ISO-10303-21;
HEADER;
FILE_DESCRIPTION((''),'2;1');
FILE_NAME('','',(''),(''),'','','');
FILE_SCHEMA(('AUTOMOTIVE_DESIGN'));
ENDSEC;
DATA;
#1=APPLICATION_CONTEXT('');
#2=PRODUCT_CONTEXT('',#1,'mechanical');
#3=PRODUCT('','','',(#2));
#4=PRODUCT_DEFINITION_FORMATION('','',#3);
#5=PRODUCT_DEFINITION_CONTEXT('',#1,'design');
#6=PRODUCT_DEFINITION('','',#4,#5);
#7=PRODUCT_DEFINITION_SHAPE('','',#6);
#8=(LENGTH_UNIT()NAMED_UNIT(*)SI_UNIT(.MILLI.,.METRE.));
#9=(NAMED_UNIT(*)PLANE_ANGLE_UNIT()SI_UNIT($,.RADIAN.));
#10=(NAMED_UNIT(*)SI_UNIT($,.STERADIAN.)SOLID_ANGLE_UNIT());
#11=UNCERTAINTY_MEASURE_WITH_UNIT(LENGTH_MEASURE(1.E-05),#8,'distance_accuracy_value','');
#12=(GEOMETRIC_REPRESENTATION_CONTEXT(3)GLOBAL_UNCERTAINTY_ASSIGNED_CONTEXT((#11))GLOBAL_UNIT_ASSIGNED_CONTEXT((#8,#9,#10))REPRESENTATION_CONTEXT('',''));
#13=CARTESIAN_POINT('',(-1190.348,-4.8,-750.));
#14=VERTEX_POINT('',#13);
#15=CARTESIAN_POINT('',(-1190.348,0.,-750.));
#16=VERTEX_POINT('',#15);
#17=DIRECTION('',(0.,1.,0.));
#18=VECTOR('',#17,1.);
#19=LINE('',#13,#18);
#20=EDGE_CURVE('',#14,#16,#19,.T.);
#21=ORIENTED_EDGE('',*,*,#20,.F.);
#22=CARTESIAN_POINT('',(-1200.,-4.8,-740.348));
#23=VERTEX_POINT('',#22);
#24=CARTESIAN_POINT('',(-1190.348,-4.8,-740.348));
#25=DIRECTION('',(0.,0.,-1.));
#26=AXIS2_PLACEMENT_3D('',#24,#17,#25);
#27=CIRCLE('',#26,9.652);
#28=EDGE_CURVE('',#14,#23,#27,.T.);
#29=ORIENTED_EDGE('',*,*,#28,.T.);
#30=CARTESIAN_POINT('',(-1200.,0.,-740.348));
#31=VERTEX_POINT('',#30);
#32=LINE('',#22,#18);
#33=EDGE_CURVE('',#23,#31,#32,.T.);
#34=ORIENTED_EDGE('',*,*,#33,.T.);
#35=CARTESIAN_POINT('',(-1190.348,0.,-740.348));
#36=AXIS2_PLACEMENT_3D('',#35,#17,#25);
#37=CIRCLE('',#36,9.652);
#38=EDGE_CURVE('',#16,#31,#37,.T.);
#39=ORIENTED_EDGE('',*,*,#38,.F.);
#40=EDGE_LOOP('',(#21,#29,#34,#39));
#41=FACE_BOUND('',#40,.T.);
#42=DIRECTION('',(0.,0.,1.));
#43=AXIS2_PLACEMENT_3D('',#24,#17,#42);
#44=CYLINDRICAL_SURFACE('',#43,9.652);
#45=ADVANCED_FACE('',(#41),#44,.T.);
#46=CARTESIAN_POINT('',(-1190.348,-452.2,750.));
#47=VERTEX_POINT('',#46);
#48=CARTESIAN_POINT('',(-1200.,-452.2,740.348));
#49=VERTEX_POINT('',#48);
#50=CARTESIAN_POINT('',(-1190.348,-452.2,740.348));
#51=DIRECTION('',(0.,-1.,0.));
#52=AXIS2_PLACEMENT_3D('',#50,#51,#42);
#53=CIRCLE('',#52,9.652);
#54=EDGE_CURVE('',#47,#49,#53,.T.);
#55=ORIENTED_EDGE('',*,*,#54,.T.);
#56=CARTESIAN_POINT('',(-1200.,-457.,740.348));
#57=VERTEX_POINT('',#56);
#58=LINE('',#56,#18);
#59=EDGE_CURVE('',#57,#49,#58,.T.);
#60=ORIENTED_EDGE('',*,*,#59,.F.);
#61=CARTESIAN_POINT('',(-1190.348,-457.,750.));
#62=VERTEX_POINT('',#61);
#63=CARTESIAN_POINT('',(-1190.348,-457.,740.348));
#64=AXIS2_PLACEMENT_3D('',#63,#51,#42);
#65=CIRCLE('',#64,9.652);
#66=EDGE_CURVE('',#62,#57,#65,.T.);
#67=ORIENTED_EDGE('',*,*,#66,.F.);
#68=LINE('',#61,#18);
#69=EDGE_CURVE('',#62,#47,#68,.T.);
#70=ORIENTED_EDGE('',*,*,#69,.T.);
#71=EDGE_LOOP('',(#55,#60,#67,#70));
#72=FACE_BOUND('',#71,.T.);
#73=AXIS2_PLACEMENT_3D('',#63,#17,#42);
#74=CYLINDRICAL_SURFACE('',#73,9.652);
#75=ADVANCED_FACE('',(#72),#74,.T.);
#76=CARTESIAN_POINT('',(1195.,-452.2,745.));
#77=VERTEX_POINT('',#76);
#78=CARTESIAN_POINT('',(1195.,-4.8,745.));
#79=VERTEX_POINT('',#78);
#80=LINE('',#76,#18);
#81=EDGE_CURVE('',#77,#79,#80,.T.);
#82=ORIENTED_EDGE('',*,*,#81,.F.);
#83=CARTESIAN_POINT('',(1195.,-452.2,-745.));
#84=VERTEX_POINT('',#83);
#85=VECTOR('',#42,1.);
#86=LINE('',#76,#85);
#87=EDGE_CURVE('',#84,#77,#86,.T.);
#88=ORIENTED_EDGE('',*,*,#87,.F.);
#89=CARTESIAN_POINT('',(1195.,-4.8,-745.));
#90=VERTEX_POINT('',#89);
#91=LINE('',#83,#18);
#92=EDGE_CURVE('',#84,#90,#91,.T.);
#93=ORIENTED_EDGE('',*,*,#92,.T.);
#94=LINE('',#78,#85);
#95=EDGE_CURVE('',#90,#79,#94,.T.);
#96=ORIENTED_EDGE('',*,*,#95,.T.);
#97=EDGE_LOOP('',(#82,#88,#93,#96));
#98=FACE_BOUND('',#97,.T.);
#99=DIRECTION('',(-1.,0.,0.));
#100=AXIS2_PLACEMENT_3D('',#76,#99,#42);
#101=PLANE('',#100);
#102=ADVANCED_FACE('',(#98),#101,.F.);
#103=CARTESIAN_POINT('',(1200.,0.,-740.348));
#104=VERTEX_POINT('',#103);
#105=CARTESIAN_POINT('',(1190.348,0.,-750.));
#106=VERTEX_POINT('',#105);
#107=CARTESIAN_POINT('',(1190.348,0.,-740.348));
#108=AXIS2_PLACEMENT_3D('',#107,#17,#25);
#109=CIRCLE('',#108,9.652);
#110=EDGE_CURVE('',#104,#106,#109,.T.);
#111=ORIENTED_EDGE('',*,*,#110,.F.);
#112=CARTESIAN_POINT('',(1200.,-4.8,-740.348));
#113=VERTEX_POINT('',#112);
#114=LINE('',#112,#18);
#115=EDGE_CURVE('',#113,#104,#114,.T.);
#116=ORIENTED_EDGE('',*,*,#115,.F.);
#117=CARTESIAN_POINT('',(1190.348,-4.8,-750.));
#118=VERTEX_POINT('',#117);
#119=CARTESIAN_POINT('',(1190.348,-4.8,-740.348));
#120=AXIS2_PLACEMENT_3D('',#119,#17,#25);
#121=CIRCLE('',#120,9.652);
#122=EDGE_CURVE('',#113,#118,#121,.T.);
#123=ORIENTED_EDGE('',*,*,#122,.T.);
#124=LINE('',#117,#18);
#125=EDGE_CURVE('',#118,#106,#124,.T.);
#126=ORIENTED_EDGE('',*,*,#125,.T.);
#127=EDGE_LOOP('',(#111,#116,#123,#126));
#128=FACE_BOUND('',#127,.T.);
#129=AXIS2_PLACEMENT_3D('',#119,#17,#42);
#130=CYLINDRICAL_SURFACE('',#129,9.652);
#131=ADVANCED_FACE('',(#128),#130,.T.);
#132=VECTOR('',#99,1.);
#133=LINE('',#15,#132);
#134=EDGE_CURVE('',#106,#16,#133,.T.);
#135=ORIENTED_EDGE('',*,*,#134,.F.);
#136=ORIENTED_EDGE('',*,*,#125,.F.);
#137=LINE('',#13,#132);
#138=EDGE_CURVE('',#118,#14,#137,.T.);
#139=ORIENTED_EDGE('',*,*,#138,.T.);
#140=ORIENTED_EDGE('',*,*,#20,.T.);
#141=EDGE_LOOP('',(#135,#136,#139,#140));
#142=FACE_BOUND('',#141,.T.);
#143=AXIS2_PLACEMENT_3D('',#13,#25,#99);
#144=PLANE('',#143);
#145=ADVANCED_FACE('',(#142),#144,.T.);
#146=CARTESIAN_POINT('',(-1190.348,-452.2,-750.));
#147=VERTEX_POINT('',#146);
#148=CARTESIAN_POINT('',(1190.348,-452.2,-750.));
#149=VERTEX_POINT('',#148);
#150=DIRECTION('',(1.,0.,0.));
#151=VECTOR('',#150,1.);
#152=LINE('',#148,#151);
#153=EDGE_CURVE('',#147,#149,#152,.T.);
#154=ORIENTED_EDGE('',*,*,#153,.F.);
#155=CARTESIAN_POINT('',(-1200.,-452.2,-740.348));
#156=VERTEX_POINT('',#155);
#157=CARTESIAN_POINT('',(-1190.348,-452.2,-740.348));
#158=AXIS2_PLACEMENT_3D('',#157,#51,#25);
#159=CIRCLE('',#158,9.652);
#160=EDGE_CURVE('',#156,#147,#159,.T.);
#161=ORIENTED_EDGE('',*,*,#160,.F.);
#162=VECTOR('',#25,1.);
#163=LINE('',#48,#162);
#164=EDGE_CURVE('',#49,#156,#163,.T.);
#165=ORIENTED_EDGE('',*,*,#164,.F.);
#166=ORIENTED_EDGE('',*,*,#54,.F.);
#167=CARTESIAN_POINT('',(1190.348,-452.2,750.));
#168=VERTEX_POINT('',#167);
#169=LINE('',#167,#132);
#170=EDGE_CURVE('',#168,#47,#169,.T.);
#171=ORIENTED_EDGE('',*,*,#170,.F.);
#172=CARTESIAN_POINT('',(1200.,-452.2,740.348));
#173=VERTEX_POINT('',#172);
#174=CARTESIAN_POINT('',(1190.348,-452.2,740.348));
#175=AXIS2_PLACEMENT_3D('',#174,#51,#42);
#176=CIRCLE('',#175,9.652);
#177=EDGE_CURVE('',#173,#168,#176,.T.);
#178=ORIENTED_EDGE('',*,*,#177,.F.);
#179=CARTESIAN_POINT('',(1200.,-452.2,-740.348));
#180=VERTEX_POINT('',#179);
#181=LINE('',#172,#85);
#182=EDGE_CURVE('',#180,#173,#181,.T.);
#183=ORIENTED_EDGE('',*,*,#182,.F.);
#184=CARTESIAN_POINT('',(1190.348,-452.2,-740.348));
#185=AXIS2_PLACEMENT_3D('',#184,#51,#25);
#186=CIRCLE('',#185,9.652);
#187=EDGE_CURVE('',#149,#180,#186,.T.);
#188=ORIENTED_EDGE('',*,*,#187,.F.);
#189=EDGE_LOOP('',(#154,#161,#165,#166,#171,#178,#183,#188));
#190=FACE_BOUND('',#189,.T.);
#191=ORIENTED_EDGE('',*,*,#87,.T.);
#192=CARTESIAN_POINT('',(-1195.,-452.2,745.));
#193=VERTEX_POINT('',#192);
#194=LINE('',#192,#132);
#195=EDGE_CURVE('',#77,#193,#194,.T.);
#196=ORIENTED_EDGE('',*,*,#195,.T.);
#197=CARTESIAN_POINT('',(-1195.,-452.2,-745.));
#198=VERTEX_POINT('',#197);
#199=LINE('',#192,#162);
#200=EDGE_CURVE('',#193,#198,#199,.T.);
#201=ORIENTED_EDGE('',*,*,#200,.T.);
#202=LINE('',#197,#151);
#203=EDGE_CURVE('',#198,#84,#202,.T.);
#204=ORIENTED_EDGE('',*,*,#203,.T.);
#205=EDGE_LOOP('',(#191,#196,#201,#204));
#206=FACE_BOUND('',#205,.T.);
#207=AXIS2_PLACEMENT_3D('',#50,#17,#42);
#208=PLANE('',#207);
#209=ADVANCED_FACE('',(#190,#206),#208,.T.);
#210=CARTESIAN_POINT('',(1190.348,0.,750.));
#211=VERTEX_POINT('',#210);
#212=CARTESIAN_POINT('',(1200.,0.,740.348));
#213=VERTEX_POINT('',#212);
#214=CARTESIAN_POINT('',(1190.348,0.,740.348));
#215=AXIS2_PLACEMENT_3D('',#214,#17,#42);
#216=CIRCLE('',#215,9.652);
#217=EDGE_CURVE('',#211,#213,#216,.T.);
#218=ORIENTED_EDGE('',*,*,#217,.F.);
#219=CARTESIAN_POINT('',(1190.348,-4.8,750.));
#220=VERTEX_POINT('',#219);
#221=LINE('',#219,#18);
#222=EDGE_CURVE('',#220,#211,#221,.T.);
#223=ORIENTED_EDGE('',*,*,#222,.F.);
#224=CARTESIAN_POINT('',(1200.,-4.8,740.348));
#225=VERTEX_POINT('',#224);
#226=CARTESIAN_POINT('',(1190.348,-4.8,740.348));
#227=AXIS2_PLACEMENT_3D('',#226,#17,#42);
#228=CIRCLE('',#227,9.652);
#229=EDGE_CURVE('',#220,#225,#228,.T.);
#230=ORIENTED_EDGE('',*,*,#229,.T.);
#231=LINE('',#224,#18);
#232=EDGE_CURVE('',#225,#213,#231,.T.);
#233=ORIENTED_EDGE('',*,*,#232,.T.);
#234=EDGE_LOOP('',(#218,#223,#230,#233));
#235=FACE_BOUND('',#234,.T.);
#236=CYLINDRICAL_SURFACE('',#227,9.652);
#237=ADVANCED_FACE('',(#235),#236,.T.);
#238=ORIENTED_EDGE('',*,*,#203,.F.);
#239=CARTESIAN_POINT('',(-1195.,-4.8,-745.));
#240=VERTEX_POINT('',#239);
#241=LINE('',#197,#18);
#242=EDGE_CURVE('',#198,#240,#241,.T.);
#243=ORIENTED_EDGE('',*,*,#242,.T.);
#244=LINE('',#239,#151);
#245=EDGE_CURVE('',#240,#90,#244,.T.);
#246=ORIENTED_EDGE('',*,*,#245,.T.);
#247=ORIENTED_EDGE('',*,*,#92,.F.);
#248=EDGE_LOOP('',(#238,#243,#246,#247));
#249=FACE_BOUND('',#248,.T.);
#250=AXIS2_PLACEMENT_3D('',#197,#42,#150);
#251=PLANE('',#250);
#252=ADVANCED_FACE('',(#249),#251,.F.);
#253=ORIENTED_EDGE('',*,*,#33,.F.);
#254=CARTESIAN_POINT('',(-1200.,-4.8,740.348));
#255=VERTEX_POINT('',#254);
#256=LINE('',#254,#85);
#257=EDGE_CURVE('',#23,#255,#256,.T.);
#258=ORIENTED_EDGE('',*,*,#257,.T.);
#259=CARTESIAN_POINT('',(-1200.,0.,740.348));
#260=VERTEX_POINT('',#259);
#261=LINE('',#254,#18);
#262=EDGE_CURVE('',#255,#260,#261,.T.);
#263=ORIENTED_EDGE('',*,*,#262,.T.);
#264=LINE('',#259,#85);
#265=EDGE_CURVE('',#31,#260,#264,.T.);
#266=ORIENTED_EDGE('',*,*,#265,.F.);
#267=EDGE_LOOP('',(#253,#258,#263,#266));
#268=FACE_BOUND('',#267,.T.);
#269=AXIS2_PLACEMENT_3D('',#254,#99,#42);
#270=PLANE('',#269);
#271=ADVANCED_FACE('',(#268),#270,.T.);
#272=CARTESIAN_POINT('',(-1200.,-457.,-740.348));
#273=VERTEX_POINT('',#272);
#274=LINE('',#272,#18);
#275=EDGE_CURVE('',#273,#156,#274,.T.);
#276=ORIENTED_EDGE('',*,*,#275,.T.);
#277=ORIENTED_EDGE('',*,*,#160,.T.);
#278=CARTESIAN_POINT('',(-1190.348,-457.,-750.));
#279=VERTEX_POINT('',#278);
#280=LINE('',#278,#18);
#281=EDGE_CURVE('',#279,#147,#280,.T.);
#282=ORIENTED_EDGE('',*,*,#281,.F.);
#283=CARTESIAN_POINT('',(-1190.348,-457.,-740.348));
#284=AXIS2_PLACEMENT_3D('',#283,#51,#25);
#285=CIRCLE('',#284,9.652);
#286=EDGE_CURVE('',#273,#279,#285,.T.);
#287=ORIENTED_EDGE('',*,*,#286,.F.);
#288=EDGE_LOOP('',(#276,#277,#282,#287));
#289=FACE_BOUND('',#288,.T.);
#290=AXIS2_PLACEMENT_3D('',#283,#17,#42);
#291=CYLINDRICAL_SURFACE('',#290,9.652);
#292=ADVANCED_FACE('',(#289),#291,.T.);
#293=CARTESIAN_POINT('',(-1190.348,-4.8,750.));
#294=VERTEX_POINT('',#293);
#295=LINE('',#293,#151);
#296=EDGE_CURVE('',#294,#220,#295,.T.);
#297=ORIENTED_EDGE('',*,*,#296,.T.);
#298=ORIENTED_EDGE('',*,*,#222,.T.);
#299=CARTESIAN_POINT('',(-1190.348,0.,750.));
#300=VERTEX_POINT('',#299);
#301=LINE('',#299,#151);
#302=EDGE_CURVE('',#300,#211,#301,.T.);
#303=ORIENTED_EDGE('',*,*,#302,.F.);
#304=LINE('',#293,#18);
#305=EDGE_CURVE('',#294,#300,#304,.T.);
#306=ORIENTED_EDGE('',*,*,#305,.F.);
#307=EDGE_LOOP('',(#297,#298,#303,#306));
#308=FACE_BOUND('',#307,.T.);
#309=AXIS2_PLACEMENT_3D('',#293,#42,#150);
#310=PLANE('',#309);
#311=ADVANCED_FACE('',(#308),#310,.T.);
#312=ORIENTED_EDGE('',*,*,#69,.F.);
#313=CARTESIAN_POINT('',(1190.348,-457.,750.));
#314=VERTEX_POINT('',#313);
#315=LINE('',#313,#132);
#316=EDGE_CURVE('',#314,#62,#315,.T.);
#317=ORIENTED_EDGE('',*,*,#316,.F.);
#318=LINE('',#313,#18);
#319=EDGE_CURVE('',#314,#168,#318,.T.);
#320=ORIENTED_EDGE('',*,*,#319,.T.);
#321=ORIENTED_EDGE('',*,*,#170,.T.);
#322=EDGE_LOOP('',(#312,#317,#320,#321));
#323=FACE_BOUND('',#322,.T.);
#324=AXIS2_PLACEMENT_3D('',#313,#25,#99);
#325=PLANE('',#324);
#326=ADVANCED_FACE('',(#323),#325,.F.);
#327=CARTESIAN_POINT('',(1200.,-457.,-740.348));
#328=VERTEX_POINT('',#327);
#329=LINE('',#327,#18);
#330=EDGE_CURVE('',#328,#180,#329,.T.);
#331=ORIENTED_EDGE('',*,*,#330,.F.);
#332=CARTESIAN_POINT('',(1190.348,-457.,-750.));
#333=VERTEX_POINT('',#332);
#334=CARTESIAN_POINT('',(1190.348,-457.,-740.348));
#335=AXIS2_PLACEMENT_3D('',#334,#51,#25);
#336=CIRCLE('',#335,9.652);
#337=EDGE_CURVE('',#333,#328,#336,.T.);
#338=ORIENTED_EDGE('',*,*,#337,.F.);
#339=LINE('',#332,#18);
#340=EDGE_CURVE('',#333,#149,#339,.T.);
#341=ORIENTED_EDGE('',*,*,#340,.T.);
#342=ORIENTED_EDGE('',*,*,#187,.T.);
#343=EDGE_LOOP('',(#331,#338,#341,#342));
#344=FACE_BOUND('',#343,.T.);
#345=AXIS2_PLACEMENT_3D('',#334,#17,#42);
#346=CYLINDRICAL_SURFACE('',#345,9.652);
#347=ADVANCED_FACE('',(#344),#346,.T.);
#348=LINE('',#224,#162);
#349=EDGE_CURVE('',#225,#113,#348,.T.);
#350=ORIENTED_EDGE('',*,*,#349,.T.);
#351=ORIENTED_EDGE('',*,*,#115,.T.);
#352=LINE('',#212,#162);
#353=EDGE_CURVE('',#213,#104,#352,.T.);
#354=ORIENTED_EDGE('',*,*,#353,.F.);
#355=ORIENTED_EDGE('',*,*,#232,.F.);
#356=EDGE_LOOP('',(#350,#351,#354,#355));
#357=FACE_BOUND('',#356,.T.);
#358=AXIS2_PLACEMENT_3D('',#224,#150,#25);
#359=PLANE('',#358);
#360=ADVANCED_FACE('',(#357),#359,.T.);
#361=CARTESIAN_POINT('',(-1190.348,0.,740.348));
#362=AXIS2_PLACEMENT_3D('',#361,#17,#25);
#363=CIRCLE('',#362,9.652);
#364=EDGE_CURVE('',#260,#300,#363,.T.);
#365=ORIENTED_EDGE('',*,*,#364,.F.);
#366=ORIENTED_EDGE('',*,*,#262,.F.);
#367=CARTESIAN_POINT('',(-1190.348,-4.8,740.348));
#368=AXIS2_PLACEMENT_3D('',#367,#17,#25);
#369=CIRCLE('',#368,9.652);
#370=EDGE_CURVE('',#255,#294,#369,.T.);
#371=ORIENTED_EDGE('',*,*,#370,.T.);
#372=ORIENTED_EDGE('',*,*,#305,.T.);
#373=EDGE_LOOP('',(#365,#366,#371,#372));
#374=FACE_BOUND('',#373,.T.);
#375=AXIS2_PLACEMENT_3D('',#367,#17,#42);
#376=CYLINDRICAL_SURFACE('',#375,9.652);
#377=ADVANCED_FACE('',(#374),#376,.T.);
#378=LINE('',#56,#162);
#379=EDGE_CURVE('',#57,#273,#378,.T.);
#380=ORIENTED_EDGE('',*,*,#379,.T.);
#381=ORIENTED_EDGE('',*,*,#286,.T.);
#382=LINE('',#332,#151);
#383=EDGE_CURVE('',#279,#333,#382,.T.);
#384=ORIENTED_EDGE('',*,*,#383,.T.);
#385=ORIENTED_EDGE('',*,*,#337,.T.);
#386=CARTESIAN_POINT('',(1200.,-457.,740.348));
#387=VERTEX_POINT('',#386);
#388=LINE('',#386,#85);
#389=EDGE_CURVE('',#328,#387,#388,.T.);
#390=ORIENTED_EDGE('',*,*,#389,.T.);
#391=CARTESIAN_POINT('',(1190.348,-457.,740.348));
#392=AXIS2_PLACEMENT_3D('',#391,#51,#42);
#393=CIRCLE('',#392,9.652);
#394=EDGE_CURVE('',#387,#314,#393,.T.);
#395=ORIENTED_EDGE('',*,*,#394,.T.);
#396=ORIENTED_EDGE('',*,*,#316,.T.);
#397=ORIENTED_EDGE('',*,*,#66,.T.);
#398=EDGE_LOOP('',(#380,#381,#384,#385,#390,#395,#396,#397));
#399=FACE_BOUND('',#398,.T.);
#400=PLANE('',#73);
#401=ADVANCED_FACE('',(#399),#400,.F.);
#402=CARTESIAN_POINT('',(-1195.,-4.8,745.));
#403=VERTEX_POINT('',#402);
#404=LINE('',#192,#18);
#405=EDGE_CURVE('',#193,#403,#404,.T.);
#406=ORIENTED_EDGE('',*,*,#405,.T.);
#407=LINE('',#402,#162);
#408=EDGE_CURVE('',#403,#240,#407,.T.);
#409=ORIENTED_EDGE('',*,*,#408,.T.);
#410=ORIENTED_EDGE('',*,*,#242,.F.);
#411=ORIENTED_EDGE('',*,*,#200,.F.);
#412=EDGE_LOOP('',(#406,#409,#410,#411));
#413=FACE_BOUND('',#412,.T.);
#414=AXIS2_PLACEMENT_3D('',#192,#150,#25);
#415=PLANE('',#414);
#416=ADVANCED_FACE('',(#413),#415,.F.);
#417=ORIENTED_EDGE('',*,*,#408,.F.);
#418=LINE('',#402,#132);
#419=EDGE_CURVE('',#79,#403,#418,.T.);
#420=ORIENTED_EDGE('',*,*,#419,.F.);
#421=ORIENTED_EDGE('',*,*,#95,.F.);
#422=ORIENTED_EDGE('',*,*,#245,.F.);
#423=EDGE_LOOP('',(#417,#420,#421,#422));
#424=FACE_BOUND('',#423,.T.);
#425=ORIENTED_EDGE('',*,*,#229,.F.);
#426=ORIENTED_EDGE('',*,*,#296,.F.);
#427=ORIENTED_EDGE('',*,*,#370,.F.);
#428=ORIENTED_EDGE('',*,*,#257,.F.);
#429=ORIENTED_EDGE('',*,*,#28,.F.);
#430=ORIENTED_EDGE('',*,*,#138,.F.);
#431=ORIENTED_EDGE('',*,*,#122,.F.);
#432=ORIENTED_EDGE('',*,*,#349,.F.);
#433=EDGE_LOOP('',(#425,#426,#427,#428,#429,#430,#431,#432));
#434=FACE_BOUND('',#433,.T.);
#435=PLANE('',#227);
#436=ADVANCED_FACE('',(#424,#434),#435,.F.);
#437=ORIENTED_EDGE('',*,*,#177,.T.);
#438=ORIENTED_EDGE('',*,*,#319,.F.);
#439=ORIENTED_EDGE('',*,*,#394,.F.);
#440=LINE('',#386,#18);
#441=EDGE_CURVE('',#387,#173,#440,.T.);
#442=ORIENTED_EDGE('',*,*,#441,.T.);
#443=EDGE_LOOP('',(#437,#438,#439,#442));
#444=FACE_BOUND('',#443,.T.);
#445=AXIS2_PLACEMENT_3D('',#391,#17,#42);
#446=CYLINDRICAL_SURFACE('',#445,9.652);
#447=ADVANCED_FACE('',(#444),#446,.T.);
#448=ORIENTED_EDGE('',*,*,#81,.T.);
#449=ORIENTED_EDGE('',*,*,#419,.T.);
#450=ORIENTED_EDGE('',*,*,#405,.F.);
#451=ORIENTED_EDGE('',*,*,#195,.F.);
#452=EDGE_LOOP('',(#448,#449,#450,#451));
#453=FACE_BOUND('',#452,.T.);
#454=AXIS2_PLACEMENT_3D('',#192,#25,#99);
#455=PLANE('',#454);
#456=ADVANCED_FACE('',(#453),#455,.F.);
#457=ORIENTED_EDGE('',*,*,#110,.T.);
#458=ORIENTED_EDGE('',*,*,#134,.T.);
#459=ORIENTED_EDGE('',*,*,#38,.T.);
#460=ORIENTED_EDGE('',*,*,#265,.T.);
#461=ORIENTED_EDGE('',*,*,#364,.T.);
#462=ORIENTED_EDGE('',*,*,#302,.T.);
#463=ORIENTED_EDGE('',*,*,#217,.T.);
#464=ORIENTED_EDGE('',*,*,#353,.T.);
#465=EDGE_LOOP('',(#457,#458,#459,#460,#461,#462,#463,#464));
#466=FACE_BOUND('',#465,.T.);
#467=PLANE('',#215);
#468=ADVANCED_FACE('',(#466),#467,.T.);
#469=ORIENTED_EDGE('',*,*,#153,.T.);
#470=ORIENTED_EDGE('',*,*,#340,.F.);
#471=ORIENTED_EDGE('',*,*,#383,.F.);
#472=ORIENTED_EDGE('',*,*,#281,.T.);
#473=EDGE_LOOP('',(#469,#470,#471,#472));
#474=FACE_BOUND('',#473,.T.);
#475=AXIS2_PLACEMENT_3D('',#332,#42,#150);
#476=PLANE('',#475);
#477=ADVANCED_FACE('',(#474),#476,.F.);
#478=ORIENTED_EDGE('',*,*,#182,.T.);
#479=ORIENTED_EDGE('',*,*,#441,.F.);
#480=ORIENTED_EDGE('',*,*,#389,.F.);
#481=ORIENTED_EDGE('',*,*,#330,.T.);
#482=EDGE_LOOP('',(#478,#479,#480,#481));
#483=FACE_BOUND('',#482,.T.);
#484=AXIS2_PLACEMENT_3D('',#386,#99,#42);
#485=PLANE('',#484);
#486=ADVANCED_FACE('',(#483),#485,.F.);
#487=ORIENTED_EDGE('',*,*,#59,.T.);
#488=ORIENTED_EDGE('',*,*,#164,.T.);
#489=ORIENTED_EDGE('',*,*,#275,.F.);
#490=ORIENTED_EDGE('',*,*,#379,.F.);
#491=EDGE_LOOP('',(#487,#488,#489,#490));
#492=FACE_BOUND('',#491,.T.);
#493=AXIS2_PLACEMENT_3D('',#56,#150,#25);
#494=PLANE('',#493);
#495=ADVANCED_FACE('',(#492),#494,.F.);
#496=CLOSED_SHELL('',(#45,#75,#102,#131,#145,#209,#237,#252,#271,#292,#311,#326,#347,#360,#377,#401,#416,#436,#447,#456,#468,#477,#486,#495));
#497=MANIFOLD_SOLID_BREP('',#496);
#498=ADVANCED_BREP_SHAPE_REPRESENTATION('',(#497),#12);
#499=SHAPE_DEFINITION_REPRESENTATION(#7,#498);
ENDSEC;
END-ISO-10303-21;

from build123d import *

# Parameters (mm, degrees)
BOSS_EXTRUDE2_DEPTH = 4.8
SKETCH4_W           = 2390
SKETCH4_H           = 1490
BOSS_EXTRUDE3_DEPTH = 447.4
BOSS_EXTRUDE4_DEPTH = 4.8


with BuildPart() as part:
    # Sketch1 → Boss-Extrude2 (new body)
    with BuildSketch(Plane(origin=(0, 0, 0), x_dir=(1, 0, 0), z_dir=(0, 1, 0))):
        with BuildLine():
            Line((-1190.348, -750), (1190.348, -750))
            ThreePointArc((1190.348, -750), (1197.172994652, -747.172994652), (1200, -740.348))
            Line((1200, -740.348), (1200, 740.348))
            ThreePointArc((1200, 740.348), (1197.172994652, 747.172994652), (1190.348, 750))
            Line((1190.348, 750), (-1190.348, 750))
            ThreePointArc((-1190.348, 750), (-1197.172994652, 747.172994652), (-1200, 740.348))
            Line((-1200, 740.348), (-1200, -740.348))
            ThreePointArc((-1200, -740.348), (-1197.172994652, -747.172994652), (-1190.348, -750))
        make_face()
    extrude(amount=-BOSS_EXTRUDE2_DEPTH)

    # Sketch4 → Boss-Extrude3 (add)
    with BuildSketch(Plane.XZ.offset(4.8)):
        Rectangle(SKETCH4_W, SKETCH4_H)
    extrude(amount=BOSS_EXTRUDE3_DEPTH)

    # Sketch5 → Boss-Extrude4 (add)
    with BuildSketch(Plane.XZ.offset(452.2)):
        with BuildLine():
            Line((1190.348, 750), (-1190.348, 750))
            ThreePointArc((-1190.348, 750), (-1197.172994652, 747.172994652), (-1200, 740.348))
            Line((-1200, 740.348), (-1200, -740.348))
            ThreePointArc((-1200, -740.348), (-1197.172994652, -747.172994652), (-1190.348, -750))
            Line((-1190.348, -750), (1190.348, -750))
            ThreePointArc((1190.348, -750), (1197.172994652, -747.172994652), (1200, -740.348))
            Line((1200, -740.348), (1200, 740.348))
            ThreePointArc((1200, 740.348), (1197.172994652, 747.172994652), (1190.348, 750))
        make_face()
    extrude(amount=BOSS_EXTRUDE4_DEPTH)


solid = part.part
